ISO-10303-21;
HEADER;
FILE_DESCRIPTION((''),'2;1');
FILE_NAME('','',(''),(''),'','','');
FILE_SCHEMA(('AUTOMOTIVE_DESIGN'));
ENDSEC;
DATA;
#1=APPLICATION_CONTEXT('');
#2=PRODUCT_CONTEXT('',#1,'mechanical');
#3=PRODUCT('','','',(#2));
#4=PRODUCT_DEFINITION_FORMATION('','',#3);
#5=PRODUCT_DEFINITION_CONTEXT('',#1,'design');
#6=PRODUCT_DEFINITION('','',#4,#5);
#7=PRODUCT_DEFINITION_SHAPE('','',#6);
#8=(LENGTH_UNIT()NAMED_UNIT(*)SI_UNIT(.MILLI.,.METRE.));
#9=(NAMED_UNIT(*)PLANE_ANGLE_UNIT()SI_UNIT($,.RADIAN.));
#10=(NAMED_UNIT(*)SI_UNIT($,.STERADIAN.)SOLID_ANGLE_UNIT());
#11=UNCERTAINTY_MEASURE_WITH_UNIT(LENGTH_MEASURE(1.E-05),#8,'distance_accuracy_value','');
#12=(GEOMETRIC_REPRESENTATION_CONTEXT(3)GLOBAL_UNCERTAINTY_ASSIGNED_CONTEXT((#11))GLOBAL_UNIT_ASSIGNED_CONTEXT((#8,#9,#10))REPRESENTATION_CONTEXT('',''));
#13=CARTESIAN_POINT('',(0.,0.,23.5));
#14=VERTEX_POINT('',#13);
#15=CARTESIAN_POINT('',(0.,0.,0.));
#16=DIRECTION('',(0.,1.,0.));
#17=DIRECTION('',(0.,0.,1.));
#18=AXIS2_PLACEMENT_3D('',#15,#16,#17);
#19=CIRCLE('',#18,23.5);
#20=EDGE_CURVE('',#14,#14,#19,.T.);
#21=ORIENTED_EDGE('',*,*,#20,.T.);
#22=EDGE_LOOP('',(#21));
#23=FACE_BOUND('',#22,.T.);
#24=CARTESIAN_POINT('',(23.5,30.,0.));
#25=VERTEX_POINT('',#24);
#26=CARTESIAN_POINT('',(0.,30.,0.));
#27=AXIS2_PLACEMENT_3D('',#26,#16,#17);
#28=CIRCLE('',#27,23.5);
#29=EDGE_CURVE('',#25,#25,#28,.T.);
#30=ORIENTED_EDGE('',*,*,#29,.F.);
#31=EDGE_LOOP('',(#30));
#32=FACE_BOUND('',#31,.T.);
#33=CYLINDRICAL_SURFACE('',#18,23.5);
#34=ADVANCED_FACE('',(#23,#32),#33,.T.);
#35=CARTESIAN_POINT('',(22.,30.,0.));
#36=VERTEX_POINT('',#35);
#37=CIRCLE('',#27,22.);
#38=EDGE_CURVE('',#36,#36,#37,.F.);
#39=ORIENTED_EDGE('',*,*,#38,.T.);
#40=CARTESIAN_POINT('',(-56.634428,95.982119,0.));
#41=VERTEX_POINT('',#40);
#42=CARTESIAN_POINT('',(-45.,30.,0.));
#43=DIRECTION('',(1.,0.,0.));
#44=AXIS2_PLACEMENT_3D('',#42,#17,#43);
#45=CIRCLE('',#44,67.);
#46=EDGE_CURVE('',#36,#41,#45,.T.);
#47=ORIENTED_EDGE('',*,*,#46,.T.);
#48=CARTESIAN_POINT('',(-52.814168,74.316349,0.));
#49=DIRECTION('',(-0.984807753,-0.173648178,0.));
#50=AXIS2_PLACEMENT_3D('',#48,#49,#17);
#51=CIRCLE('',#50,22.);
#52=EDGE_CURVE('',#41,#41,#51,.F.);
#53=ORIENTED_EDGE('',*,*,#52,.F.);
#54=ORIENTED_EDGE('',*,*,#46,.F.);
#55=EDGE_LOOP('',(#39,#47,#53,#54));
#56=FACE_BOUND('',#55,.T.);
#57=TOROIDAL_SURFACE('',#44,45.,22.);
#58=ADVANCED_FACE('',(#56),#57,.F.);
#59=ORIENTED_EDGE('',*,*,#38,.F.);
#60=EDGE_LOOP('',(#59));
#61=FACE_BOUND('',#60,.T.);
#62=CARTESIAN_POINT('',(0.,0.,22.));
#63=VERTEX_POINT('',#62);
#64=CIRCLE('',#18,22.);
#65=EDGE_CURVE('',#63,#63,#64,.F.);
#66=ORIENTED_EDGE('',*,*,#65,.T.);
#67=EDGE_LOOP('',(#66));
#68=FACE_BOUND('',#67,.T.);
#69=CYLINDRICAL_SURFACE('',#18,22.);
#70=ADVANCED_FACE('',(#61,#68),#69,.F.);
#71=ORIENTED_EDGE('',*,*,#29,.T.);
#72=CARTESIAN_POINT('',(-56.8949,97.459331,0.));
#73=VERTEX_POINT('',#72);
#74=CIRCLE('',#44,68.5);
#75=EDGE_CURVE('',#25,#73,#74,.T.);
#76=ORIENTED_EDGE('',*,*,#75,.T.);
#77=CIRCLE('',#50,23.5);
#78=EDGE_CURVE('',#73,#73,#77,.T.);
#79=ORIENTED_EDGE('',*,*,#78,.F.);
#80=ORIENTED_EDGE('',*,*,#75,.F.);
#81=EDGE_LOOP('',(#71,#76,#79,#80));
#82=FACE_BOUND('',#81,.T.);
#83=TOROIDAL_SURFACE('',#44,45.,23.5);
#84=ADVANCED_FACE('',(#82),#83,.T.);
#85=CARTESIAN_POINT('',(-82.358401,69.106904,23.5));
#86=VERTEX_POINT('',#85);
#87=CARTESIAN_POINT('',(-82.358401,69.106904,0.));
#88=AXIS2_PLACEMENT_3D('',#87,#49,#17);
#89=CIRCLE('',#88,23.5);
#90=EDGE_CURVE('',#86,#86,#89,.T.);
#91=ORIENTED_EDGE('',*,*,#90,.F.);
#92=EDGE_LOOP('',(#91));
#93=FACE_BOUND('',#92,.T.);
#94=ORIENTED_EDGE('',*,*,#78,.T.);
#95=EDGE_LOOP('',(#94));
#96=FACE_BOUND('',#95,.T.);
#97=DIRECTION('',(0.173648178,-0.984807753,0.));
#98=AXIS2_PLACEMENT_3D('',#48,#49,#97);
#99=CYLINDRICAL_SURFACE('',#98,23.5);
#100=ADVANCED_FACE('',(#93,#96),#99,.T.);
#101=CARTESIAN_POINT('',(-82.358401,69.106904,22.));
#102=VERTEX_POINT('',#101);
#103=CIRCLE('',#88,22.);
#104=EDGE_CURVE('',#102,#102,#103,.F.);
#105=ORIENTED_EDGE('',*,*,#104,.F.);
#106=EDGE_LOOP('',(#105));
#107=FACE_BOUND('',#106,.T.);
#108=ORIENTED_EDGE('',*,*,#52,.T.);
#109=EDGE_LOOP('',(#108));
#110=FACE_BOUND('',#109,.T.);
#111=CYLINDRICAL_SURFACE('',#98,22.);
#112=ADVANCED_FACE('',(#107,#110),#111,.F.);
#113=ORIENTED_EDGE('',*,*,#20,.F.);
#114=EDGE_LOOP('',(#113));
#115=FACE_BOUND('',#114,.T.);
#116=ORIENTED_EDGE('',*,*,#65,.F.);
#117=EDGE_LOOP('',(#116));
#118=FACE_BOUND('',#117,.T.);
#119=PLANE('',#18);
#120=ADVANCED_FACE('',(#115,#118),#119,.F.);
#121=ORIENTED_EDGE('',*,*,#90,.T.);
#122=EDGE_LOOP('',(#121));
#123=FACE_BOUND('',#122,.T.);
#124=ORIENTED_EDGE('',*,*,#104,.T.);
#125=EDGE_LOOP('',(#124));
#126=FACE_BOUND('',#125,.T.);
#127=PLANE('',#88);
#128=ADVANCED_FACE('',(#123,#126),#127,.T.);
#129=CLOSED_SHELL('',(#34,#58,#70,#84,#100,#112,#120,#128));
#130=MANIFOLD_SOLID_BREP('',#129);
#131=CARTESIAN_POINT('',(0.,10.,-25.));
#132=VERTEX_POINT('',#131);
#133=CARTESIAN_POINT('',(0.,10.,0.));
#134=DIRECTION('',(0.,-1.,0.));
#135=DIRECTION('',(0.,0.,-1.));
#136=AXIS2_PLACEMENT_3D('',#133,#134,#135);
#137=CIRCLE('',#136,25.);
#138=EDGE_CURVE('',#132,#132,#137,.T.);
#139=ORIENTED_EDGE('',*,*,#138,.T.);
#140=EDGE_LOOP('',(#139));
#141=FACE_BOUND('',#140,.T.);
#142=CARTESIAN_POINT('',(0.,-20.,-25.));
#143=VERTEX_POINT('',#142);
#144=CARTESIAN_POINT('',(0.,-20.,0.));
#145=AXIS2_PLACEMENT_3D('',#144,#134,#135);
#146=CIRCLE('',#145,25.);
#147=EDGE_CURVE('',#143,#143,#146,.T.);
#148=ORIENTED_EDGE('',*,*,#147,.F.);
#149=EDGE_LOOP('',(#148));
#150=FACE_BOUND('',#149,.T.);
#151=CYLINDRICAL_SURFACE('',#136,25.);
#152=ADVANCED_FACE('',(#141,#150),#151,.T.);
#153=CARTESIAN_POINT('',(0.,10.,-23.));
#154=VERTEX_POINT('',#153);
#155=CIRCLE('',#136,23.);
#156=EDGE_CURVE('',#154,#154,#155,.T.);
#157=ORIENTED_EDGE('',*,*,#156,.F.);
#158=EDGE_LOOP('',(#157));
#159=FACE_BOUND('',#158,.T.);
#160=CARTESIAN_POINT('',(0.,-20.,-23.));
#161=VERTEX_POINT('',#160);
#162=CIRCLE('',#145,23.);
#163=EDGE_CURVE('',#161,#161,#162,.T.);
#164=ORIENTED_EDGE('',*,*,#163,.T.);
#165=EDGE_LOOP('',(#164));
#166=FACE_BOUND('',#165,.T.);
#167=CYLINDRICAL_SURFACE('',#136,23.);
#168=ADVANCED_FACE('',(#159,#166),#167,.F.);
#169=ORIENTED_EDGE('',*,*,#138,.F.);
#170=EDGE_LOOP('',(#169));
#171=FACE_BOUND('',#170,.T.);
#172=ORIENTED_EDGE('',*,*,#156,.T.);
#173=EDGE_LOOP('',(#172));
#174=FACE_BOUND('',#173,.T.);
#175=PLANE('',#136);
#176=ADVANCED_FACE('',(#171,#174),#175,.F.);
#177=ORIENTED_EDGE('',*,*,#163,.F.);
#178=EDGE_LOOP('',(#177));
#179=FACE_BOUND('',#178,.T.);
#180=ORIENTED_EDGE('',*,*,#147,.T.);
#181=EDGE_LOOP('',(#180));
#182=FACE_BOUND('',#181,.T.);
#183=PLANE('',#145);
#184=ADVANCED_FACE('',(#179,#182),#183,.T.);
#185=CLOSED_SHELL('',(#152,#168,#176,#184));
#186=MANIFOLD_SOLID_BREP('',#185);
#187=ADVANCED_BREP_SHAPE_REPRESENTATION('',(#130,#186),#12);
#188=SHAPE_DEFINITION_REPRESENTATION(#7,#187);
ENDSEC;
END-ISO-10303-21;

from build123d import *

# Parameters (mm, degrees)
SKETCH_1_R           = 23.5
SKETCH_1_R_2         = 22
EXTRUDE_1_DEPTH      = 20
EXTRUDE_1_DEPTH_BACK = 10
SKETCH_3_R           = 25
SKETCH_3_R_2         = 23


with BuildPart() as part:
    # 扫描1: sweep along a path in 草图2
    with BuildLine(Plane.XY) as sweep_1_path:
        Line((0, 0), (0, 30))
        ThreePointArc((0, 30), (-16.074557564, 64.47199994), (-52.814167995, 74.316348886))
        Line((-52.814167995, 74.316348886), (-82.358400585, 69.106903556))
    # 草图1 → 扫描1 (sweep)
    with BuildSketch(Plane(origin=(0, 0, 0), x_dir=(1, 0, 0), z_dir=(0, 1, 0))):
        Circle(SKETCH_1_R)
        Circle(SKETCH_1_R_2, mode=Mode.SUBTRACT)
    sweep(path=sweep_1_path.line)


with BuildPart() as body_2:
    # 草图3 → 凸台-拉伸1 (new, two sides: drawn at the far end of the back side and taken through both)
    with BuildSketch(Plane(origin=(0, 0, 58.765701135), x_dir=(1, 0, 0), z_dir=(0, -1, 0)).offset(-EXTRUDE_1_DEPTH_BACK)):
        with Locations(Location((0, -58.765701135, 0), (0, 0, 270))):
            Circle(SKETCH_3_R)
        with Locations(Location((0, -58.765701135, 0), (0, 0, 270))):
            Circle(SKETCH_3_R_2, mode=Mode.SUBTRACT)
    extrude(amount=EXTRUDE_1_DEPTH + EXTRUDE_1_DEPTH_BACK)


solid = Compound([part.part, body_2.part])
